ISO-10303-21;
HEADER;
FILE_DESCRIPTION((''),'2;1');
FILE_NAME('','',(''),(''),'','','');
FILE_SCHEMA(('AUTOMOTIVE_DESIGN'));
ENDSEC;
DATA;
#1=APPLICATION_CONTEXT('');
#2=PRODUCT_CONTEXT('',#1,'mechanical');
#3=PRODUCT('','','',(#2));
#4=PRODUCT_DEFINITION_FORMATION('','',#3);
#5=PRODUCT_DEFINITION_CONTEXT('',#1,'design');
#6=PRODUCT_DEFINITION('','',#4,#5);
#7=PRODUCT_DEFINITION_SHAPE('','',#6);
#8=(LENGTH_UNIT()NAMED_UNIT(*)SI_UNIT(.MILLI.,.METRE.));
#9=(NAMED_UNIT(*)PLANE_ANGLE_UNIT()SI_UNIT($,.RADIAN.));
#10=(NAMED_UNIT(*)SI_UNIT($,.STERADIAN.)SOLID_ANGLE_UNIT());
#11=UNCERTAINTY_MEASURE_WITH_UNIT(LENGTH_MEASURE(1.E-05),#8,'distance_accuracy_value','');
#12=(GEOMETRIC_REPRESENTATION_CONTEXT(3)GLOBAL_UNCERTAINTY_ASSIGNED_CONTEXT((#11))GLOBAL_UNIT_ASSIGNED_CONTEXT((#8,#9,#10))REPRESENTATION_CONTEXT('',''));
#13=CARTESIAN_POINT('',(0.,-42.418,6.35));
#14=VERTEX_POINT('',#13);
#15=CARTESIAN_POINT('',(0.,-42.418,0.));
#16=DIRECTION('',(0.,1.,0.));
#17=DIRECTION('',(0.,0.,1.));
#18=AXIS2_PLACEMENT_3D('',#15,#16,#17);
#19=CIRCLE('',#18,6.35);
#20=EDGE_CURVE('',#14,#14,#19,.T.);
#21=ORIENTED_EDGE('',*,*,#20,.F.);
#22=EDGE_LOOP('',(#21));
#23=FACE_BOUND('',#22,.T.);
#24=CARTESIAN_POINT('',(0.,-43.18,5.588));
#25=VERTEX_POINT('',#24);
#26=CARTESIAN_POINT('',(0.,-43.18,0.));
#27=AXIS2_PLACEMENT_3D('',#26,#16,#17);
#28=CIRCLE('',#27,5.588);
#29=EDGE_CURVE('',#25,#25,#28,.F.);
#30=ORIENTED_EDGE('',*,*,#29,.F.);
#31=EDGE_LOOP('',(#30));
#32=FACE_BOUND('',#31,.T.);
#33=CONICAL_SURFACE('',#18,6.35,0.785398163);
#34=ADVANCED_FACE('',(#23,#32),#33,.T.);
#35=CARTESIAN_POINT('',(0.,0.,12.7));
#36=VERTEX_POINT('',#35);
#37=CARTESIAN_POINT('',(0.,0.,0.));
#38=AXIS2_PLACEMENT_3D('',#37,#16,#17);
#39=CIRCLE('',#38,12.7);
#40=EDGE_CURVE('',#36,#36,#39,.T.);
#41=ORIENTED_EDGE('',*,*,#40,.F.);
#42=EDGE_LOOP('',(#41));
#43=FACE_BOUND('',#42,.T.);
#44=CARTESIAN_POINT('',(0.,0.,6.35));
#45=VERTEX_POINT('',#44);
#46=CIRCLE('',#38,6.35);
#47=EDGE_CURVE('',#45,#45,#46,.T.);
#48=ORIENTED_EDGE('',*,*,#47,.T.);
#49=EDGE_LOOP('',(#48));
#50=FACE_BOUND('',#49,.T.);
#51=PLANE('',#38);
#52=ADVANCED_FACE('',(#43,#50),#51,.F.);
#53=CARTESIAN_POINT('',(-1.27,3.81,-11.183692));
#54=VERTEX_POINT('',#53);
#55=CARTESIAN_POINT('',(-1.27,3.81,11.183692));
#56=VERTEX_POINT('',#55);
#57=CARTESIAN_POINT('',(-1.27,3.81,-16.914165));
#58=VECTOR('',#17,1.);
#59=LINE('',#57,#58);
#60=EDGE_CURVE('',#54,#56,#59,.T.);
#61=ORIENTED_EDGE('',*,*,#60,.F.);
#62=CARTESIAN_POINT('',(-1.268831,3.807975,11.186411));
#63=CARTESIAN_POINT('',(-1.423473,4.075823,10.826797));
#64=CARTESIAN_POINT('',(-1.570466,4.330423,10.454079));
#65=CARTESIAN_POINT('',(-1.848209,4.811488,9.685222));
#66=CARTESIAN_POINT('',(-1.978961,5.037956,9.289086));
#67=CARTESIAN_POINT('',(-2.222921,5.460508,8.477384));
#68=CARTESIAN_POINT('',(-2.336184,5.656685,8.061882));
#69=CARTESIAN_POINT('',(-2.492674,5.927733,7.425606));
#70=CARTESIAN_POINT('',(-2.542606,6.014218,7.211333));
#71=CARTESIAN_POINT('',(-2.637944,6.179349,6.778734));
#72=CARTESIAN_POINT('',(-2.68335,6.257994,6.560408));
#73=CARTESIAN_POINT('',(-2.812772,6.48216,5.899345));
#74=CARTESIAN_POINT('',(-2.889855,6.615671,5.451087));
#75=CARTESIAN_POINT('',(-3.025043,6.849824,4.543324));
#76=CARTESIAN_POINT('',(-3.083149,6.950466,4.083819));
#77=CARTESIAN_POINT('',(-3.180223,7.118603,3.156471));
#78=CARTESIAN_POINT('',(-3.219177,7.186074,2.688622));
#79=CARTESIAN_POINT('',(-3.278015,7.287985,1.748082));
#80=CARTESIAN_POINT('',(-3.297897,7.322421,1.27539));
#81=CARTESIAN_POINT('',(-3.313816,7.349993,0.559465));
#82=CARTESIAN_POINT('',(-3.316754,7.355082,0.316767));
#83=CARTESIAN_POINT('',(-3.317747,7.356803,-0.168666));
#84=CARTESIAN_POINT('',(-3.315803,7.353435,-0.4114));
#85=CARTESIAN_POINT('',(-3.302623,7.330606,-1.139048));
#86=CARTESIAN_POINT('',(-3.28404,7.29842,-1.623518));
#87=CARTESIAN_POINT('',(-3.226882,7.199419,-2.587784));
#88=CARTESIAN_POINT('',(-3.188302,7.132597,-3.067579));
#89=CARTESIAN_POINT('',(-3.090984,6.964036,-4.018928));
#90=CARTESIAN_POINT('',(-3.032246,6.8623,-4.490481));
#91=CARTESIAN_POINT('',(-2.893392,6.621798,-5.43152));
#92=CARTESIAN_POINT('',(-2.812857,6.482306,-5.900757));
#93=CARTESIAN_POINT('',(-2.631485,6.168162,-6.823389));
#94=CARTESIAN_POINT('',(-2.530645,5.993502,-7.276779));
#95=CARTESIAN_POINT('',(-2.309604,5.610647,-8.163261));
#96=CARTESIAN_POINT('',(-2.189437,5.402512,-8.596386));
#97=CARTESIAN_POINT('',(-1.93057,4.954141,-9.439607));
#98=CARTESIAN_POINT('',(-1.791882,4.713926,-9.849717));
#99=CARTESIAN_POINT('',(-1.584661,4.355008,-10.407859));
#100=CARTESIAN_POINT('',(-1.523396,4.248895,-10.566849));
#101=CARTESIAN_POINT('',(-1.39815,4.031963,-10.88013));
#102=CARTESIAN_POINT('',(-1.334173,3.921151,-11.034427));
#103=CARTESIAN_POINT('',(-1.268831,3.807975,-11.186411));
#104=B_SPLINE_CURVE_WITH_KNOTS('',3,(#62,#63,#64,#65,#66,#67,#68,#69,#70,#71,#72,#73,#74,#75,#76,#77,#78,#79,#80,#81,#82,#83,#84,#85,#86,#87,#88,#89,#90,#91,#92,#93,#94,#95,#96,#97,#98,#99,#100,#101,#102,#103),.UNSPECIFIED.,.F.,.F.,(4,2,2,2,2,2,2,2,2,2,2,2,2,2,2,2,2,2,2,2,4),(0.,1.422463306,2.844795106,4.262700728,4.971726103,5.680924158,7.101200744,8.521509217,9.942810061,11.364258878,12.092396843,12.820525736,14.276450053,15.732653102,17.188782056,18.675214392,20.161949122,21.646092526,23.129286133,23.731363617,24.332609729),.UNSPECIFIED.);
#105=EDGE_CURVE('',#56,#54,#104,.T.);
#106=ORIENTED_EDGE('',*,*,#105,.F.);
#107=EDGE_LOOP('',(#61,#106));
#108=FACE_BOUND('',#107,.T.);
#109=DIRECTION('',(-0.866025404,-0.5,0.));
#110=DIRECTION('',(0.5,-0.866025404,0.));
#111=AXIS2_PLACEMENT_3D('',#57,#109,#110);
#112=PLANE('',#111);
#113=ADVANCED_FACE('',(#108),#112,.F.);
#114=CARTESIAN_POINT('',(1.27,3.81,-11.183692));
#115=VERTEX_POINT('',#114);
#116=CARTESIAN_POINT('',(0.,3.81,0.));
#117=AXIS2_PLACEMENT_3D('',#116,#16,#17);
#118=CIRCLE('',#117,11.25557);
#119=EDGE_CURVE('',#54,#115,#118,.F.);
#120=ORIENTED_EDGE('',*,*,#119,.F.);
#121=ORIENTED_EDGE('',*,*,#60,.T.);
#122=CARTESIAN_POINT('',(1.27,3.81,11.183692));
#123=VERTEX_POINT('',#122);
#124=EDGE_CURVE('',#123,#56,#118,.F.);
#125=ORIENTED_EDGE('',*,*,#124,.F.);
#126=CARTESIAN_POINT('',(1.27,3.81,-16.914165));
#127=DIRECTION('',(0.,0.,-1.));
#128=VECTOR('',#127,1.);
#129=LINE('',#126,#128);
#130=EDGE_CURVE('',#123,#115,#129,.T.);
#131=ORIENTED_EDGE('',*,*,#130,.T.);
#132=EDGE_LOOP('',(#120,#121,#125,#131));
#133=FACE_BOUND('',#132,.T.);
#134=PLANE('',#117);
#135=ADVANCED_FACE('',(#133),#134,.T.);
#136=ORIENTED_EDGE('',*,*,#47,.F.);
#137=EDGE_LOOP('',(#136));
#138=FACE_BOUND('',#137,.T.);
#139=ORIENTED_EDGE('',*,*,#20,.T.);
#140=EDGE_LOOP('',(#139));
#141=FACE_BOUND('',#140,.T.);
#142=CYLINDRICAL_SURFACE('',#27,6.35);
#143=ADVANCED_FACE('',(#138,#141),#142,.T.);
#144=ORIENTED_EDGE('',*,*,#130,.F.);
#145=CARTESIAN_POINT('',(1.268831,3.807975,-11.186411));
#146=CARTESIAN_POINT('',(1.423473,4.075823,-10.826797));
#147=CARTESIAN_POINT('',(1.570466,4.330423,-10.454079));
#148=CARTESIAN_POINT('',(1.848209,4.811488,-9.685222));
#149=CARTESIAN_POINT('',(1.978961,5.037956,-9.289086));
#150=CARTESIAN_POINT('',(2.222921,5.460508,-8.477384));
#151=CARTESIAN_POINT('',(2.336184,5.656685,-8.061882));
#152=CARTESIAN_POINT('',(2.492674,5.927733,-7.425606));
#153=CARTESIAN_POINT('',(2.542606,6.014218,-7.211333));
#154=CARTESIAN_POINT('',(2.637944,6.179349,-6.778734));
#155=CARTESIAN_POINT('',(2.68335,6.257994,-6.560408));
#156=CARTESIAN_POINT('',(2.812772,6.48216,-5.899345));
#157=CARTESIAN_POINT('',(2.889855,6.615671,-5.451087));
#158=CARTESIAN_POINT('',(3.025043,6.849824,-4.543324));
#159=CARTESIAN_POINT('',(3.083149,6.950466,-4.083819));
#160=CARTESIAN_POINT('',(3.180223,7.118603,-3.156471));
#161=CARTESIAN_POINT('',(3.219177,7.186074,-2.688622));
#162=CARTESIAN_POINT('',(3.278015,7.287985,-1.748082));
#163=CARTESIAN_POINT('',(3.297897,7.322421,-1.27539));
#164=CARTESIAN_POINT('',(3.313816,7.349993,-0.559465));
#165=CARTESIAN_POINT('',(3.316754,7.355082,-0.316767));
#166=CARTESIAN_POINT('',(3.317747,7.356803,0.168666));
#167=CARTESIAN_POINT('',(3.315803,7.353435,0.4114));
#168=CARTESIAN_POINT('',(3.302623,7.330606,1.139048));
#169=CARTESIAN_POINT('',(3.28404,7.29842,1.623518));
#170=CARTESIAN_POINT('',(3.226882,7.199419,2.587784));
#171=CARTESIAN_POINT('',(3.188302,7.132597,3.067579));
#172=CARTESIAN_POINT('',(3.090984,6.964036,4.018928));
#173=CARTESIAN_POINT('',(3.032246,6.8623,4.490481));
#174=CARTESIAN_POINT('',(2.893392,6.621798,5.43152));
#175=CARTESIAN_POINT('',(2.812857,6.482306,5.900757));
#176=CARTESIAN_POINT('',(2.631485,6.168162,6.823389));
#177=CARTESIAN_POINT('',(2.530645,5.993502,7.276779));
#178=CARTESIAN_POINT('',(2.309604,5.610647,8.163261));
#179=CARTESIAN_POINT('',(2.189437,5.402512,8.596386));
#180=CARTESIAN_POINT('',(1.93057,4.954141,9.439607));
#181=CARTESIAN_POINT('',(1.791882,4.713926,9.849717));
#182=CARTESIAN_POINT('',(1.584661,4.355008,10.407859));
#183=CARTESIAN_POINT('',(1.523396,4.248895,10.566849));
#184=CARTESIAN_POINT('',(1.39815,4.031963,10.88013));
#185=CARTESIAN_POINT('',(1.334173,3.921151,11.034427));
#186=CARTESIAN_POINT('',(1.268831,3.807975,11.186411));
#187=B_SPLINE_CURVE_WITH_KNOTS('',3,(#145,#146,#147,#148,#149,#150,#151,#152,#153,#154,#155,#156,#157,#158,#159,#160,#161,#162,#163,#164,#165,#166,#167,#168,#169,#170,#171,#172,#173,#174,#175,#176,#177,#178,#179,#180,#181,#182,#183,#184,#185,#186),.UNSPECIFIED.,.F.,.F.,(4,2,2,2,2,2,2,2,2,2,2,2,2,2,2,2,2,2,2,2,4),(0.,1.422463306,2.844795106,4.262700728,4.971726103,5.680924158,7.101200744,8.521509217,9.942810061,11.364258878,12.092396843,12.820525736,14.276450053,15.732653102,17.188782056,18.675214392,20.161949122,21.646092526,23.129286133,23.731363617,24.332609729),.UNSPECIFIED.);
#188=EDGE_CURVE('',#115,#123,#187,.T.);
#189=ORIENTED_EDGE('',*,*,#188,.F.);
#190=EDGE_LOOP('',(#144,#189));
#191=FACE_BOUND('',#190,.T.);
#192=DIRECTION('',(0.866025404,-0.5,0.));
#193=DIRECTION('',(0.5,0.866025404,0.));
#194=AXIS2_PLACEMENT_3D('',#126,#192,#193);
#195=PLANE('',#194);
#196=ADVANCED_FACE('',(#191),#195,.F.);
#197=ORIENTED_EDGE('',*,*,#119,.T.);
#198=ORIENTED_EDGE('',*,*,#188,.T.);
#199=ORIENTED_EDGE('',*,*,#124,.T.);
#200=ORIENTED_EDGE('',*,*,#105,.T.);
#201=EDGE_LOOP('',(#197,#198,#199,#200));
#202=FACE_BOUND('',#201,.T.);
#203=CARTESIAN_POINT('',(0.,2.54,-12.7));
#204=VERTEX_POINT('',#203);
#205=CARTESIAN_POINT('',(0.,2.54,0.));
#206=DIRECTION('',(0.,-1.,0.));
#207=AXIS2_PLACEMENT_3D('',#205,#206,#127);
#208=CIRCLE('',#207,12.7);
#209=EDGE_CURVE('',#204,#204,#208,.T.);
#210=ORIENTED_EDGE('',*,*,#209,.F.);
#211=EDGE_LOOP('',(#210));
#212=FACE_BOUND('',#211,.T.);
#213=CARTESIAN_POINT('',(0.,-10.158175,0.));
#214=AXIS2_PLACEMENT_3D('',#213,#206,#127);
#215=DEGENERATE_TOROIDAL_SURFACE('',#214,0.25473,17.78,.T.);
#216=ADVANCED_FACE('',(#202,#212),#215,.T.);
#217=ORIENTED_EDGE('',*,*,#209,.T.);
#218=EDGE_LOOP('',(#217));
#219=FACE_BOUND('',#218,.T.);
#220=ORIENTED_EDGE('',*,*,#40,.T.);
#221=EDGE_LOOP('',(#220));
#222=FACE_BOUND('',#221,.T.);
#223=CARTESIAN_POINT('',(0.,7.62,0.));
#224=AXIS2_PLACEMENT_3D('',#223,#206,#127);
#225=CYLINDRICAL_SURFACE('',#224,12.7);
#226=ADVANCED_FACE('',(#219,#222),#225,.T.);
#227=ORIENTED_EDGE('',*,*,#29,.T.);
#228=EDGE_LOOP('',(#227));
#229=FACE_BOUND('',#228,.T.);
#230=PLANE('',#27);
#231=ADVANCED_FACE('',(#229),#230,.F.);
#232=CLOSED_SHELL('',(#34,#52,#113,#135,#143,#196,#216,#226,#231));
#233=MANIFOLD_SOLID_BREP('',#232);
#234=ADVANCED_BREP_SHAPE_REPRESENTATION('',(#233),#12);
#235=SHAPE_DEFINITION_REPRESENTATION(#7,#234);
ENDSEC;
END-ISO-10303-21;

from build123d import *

# Parameters (mm, degrees)
SKETCH1_R           = 6.35
BOSS_EXTRUDE1_DEPTH = 43.18
SKETCH1_3_R         = 12.7
BOSS_EXTRUDE2_DEPTH = 7.62
SKETCH4_W           = 2.54
SKETCH4_H           = 33.82833048
CUT_EXTRUDE1_DEPTH  = 51.305467944
CUT_EXTRUDE1_TAPER  = -30
CHAMFER1_SIZE       = 0.762


with BuildPart() as part:
    # Sketch1 → Boss-Extrude1 (new body)
    with BuildSketch(Plane(origin=(0, 0, 0), x_dir=(1, 0, 0), z_dir=(0, 1, 0))):
        with Locations(Location((0, 0, 0), (0, 0, 270))):
            Circle(SKETCH1_R)
    extrude(amount=-BOSS_EXTRUDE1_DEPTH)

    # Sketch1<3> → Boss-Extrude2 (add)
    with BuildSketch(Plane(origin=(0, 0, 0), x_dir=(1, 0, 0), z_dir=(0, 1, 0))):
        with Locations(Location((0, 0, 0), (0, 0, 270))):
            Circle(SKETCH1_3_R)
    extrude(amount=BOSS_EXTRUDE2_DEPTH)

    # Sketch3 → Cut-Revolve1 (revolve, cut)
    with BuildSketch(Plane.XY, mode=Mode.PRIVATE) as cut_revolve1_sk:
        with BuildLine():
            Line((-12.7, 2.54), (-15.209374463, 2.54))
            Line((-15.209374463, 2.54), (-15.209374463, 10.331344658))
            Line((-15.209374463, 10.331344658), (0, 10.331344658))
            Line((0, 10.331344658), (0, 7.62))
            ThreePointArc((0, 7.62), (-6.858056154, 6.350140386), (-12.7, 2.54))
        make_face()
    revolve(cut_revolve1_sk.sketch.rotate(Axis((0, 0, 0), (0, 1, 0)), 270), axis=Axis((0, 0, 0), (0, 1, 0)), mode=Mode.SUBTRACT)

    # Sketch4 → Cut-Extrude1 (cut, through all)
    with BuildSketch(Plane(origin=(0, 3.81, 0), x_dir=(1, 0, 0), z_dir=(0, 1, 0))):
        Rectangle(SKETCH4_W, SKETCH4_H)
    extrude(amount=CUT_EXTRUDE1_DEPTH, taper=CUT_EXTRUDE1_TAPER, mode=Mode.SUBTRACT)

    # Chamfer1
    chamfer1_edges = [part.edges().sort_by_distance(p)[0] for p in [
        (0, -43.18, -6.35),
    ]]
    chamfer(chamfer1_edges, length=CHAMFER1_SIZE)


solid = part.part
